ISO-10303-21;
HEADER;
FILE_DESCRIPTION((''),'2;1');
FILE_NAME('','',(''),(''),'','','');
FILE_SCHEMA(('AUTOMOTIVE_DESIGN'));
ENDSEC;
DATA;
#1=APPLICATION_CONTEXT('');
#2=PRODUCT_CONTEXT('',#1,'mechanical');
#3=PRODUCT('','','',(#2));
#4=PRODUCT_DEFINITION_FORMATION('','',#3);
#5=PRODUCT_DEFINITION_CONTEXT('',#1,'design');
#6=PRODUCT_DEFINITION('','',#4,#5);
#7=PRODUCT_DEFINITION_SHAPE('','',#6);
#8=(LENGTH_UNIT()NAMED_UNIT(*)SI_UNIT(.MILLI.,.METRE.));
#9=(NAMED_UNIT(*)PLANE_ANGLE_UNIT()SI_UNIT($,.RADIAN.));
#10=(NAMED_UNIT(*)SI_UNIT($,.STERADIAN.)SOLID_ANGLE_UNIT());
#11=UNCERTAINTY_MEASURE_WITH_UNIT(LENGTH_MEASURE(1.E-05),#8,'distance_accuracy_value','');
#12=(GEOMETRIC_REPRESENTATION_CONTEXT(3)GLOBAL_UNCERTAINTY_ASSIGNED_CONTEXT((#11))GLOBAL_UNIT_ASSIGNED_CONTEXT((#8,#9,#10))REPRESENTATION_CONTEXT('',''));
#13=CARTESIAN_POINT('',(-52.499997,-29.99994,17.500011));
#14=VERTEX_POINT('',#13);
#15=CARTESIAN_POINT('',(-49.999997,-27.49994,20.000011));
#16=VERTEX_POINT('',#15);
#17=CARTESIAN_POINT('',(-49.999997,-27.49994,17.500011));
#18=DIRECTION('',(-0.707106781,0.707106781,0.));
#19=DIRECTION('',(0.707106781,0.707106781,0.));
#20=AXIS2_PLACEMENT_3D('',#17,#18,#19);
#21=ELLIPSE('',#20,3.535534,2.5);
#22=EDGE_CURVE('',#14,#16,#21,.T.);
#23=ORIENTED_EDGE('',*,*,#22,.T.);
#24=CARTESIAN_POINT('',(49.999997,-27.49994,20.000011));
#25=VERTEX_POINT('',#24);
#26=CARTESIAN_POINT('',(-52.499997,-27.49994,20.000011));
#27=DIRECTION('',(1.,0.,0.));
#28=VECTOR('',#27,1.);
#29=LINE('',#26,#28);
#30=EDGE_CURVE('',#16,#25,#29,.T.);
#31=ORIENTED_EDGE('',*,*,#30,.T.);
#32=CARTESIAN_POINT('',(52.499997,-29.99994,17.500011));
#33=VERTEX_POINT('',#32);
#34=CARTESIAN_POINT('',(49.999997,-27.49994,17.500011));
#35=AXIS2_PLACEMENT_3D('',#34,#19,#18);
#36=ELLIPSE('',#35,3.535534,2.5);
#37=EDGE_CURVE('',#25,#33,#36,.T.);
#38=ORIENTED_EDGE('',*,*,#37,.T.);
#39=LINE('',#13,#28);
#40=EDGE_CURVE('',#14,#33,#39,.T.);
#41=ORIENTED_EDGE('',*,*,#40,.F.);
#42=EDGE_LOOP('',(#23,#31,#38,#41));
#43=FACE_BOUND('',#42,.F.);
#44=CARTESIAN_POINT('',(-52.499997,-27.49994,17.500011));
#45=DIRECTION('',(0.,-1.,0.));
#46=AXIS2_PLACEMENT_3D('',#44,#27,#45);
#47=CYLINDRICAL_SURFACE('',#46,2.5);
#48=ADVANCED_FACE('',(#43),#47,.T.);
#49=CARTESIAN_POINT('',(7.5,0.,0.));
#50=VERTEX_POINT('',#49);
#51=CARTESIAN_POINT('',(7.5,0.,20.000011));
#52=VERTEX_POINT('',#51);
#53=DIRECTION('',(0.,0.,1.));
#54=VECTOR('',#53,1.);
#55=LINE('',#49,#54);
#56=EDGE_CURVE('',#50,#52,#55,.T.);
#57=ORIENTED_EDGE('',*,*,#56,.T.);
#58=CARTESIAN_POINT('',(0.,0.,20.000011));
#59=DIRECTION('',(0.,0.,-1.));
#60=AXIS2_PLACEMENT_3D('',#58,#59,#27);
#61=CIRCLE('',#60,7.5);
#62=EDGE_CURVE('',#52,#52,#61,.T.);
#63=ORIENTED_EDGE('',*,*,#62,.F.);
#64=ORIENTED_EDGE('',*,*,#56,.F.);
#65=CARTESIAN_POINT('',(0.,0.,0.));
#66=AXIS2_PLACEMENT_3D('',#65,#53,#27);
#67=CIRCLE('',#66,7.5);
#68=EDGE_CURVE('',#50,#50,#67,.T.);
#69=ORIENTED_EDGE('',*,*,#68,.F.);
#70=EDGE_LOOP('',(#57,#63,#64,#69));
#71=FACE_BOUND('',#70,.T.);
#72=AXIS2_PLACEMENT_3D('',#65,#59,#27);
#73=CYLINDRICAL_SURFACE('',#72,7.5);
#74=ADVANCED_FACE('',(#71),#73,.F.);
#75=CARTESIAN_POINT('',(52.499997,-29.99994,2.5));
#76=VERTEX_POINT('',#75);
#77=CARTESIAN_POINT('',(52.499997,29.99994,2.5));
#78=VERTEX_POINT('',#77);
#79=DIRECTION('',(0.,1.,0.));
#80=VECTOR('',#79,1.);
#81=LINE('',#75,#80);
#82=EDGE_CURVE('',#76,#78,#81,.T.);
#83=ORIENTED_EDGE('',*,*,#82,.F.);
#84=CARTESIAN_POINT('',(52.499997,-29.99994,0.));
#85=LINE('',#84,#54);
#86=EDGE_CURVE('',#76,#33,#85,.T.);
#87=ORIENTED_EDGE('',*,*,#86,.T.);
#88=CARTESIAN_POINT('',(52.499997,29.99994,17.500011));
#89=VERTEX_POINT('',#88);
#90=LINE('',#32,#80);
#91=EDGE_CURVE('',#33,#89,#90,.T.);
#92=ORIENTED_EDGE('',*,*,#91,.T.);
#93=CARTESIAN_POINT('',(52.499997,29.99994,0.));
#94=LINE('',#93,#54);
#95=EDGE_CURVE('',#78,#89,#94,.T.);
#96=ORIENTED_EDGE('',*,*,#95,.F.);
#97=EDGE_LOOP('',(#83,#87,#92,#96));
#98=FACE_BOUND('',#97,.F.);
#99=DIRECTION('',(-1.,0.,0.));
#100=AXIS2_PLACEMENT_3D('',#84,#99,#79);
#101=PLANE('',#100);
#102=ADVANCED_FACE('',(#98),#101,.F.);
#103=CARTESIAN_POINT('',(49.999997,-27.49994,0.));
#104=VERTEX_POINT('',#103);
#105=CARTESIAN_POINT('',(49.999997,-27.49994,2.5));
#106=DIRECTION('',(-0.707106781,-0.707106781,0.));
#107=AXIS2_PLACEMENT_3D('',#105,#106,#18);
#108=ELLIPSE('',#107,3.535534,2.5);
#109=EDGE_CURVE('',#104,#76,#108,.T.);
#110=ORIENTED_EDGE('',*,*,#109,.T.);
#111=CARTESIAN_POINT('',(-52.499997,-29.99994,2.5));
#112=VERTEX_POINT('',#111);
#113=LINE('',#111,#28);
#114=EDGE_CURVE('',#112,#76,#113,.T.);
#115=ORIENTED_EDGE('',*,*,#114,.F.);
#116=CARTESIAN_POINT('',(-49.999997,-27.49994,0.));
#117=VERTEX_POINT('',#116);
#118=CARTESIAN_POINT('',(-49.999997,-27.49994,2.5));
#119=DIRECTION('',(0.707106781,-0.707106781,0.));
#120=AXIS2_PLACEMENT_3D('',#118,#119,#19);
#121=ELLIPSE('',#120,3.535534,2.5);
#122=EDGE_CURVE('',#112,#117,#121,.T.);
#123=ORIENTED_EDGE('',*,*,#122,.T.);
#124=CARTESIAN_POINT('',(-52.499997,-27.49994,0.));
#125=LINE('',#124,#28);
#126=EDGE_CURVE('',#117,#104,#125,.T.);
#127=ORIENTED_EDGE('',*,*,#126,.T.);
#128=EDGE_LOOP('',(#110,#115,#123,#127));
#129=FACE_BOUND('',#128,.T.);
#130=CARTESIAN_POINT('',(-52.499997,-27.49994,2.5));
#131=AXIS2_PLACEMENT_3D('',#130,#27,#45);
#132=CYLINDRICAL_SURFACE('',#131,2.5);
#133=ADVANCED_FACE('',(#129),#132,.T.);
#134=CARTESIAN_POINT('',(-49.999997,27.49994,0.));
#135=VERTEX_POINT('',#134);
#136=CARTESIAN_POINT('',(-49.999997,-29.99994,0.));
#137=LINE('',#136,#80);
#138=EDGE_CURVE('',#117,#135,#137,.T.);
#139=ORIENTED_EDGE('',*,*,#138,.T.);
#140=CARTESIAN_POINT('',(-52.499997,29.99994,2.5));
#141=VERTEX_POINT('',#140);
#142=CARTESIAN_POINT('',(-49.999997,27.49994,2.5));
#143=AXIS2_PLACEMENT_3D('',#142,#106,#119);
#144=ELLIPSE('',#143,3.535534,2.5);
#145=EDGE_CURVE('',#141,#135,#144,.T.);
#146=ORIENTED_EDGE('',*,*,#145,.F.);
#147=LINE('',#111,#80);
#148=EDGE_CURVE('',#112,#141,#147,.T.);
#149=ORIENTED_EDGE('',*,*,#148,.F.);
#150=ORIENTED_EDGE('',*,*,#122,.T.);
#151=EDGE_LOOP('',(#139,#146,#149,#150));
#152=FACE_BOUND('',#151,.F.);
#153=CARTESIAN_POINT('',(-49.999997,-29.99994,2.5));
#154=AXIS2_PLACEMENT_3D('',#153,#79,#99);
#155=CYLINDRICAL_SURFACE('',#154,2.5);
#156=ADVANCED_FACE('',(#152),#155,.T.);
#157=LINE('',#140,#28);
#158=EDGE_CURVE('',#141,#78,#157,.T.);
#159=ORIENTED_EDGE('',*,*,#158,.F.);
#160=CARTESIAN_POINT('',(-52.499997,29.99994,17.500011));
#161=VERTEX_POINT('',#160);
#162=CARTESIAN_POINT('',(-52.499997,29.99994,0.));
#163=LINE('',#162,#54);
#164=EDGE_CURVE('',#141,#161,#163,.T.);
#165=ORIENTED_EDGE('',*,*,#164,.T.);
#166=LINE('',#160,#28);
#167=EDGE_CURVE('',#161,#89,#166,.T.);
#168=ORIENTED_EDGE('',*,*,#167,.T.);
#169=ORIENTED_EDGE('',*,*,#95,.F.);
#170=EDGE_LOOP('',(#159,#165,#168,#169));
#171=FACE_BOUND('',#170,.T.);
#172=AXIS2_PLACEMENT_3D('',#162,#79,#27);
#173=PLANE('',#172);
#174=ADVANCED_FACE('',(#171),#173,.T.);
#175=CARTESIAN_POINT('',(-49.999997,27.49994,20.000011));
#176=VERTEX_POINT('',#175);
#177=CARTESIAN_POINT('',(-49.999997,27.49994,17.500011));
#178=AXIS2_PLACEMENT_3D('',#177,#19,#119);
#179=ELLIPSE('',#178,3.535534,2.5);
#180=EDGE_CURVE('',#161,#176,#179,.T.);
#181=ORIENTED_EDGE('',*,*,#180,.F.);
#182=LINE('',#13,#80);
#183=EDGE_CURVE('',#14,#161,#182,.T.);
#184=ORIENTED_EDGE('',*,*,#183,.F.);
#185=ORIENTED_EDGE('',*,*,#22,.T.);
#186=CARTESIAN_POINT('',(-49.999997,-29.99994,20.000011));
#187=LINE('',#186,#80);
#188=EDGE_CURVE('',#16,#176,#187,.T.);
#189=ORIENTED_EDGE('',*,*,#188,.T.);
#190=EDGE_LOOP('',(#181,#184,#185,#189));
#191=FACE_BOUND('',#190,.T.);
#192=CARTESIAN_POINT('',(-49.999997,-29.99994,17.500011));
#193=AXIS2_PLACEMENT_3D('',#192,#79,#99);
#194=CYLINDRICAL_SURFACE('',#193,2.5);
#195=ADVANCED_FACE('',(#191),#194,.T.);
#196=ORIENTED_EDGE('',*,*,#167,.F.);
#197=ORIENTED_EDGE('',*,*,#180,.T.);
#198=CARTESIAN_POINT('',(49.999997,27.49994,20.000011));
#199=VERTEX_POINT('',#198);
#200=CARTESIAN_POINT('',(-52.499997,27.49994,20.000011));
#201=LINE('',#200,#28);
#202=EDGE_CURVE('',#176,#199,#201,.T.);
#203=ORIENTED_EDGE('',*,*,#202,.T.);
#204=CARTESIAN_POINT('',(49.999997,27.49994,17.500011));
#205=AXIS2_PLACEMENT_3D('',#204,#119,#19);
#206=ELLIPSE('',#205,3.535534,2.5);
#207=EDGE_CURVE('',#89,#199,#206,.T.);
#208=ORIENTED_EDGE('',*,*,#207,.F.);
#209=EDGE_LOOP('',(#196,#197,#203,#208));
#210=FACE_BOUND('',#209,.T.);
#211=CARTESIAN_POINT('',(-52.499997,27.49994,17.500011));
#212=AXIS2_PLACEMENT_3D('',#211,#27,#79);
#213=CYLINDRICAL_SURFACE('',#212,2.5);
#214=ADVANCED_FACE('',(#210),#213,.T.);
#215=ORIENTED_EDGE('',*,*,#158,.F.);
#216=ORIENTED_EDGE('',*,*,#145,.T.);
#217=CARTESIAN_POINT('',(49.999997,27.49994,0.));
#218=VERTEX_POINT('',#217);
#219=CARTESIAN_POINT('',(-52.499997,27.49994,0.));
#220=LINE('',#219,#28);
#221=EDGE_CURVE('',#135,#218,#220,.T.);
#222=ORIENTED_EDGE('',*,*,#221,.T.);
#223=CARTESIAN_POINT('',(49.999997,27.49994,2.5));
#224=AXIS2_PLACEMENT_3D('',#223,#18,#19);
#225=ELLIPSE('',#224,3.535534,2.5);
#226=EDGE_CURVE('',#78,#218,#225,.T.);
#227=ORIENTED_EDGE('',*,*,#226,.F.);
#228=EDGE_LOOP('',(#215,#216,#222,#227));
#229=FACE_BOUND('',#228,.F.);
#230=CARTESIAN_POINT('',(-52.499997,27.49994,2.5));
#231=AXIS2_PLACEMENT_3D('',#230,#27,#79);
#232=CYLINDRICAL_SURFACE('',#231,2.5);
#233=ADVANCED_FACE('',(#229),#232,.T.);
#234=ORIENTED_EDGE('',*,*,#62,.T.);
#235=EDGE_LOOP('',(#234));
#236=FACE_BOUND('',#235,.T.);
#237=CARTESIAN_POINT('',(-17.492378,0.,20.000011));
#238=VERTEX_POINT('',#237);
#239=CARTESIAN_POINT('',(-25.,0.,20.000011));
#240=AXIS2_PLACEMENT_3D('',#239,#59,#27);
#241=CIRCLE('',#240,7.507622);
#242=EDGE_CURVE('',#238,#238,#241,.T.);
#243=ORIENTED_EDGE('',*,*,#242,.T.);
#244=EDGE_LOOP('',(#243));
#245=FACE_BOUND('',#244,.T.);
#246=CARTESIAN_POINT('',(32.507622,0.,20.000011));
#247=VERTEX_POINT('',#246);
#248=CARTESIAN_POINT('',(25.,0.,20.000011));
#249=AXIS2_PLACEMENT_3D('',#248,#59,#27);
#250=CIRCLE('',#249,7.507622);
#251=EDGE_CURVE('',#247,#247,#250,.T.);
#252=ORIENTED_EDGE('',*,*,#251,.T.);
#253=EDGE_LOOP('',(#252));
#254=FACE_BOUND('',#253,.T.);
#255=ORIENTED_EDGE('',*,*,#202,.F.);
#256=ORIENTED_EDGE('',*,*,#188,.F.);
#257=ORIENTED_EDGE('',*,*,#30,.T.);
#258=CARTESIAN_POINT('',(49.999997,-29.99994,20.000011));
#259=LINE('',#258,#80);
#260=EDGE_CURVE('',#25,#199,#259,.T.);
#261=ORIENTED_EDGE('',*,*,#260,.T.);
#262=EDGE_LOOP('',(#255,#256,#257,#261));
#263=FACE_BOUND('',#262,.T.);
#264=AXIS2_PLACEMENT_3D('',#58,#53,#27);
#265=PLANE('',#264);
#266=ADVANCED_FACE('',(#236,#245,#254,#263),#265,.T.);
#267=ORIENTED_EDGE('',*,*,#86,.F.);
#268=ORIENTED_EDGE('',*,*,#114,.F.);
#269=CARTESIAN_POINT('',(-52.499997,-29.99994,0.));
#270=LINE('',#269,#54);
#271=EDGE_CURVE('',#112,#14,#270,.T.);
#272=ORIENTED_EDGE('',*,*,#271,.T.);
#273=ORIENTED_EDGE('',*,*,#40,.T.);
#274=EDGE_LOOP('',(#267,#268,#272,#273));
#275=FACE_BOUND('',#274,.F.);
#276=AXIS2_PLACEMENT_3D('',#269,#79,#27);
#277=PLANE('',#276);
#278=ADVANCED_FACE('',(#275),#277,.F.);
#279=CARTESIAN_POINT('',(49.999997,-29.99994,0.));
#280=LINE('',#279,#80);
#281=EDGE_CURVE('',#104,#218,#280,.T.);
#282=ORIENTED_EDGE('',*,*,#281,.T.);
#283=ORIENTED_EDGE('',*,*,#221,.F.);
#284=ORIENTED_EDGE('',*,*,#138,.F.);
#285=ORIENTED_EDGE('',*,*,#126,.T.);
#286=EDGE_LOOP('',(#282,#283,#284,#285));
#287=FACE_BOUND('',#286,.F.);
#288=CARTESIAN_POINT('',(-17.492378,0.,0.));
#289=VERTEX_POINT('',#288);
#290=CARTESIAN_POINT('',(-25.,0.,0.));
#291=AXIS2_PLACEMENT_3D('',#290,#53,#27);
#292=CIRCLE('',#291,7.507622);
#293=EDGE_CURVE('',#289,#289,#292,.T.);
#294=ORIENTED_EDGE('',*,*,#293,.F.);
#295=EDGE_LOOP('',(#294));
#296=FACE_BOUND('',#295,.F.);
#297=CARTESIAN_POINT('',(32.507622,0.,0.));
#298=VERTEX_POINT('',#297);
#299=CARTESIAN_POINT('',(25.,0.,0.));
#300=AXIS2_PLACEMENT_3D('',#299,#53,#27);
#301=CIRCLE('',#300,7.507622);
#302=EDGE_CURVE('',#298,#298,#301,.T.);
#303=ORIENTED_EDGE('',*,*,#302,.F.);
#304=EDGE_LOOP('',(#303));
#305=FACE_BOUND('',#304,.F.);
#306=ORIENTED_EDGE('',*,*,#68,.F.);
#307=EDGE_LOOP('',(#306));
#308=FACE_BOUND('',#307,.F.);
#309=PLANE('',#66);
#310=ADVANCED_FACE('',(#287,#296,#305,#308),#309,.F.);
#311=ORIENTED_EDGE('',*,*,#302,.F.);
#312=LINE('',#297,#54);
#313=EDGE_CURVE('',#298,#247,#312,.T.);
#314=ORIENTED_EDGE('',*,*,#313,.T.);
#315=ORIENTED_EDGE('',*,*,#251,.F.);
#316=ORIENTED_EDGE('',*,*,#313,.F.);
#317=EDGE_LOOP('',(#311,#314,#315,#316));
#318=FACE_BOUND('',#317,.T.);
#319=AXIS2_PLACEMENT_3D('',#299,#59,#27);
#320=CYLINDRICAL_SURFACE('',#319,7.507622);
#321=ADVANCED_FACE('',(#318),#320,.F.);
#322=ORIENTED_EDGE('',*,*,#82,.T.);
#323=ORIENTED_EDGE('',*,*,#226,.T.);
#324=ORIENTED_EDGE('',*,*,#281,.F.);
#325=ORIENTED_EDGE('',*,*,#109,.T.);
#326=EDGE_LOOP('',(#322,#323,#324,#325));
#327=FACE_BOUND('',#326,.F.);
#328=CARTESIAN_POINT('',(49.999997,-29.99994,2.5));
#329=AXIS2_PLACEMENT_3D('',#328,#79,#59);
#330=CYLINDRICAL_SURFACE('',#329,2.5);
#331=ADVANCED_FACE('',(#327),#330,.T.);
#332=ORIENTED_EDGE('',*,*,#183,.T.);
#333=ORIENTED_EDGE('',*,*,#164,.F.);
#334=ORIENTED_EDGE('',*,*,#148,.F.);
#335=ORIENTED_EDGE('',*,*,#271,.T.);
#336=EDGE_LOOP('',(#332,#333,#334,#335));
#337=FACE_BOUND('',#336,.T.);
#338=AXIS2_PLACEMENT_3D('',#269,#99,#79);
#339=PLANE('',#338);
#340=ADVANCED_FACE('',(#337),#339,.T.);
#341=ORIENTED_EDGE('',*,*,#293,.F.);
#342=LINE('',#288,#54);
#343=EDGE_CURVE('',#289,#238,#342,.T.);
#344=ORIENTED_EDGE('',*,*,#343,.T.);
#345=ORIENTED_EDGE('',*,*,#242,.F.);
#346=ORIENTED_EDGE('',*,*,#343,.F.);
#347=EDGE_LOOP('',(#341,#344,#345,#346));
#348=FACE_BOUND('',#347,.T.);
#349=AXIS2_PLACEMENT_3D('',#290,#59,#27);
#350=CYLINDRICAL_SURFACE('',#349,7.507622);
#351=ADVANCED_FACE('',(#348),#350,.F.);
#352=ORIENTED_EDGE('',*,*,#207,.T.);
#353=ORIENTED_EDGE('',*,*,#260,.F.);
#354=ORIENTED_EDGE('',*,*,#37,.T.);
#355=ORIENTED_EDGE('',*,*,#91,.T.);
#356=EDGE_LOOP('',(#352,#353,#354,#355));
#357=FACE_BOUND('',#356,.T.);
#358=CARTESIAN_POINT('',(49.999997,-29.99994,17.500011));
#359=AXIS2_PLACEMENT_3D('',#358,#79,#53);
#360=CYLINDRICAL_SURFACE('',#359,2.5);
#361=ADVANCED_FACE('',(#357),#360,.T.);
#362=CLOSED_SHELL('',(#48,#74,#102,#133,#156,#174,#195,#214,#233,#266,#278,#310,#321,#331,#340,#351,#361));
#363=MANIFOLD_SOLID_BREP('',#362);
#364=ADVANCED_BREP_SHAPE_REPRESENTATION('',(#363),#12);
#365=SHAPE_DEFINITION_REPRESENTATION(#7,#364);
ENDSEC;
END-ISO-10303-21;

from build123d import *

# Parameters (mm, degrees)
F0_W     = 104.999994
F0_H     = 59.99988
F1_DEPTH = 20.000011
F2_R     = 7.5
F2_R_2   = 7.507622
F3_DEPTH = 20.001011
F4_R     = 2.5


with BuildPart() as f1:
    # F0 (on Top) → F1 (new body)
    with BuildSketch(Plane.XY):
        Rectangle(F0_W, F0_H)
    extrude(amount=F1_DEPTH)

    # F2 (on Top) → F3 (cut, through all)
    with BuildSketch(Plane.XY):
        Circle(F2_R)
        with Locations((-25, 0)):
            Circle(F2_R_2)
        with Locations((25, 0)):
            Circle(F2_R_2)
    extrude(amount=F3_DEPTH, mode=Mode.SUBTRACT)

    # F4
    f4_edges = [f1.edges().sort_by_distance(p)[0] for p in [
        (0, 29.99994, 0),
        (52.499997, 0, 0),
        (0, -29.99994, 0),
        (-52.499997, 0, 0),
        (0, 29.99994, 20.000011),
        (52.499997, 0, 20.000011),
        (0, -29.99994, 20.000011),
        (-52.499997, 0, 20.000011),
    ]]
    fillet(f4_edges, radius=F4_R)


solid = f1.part
